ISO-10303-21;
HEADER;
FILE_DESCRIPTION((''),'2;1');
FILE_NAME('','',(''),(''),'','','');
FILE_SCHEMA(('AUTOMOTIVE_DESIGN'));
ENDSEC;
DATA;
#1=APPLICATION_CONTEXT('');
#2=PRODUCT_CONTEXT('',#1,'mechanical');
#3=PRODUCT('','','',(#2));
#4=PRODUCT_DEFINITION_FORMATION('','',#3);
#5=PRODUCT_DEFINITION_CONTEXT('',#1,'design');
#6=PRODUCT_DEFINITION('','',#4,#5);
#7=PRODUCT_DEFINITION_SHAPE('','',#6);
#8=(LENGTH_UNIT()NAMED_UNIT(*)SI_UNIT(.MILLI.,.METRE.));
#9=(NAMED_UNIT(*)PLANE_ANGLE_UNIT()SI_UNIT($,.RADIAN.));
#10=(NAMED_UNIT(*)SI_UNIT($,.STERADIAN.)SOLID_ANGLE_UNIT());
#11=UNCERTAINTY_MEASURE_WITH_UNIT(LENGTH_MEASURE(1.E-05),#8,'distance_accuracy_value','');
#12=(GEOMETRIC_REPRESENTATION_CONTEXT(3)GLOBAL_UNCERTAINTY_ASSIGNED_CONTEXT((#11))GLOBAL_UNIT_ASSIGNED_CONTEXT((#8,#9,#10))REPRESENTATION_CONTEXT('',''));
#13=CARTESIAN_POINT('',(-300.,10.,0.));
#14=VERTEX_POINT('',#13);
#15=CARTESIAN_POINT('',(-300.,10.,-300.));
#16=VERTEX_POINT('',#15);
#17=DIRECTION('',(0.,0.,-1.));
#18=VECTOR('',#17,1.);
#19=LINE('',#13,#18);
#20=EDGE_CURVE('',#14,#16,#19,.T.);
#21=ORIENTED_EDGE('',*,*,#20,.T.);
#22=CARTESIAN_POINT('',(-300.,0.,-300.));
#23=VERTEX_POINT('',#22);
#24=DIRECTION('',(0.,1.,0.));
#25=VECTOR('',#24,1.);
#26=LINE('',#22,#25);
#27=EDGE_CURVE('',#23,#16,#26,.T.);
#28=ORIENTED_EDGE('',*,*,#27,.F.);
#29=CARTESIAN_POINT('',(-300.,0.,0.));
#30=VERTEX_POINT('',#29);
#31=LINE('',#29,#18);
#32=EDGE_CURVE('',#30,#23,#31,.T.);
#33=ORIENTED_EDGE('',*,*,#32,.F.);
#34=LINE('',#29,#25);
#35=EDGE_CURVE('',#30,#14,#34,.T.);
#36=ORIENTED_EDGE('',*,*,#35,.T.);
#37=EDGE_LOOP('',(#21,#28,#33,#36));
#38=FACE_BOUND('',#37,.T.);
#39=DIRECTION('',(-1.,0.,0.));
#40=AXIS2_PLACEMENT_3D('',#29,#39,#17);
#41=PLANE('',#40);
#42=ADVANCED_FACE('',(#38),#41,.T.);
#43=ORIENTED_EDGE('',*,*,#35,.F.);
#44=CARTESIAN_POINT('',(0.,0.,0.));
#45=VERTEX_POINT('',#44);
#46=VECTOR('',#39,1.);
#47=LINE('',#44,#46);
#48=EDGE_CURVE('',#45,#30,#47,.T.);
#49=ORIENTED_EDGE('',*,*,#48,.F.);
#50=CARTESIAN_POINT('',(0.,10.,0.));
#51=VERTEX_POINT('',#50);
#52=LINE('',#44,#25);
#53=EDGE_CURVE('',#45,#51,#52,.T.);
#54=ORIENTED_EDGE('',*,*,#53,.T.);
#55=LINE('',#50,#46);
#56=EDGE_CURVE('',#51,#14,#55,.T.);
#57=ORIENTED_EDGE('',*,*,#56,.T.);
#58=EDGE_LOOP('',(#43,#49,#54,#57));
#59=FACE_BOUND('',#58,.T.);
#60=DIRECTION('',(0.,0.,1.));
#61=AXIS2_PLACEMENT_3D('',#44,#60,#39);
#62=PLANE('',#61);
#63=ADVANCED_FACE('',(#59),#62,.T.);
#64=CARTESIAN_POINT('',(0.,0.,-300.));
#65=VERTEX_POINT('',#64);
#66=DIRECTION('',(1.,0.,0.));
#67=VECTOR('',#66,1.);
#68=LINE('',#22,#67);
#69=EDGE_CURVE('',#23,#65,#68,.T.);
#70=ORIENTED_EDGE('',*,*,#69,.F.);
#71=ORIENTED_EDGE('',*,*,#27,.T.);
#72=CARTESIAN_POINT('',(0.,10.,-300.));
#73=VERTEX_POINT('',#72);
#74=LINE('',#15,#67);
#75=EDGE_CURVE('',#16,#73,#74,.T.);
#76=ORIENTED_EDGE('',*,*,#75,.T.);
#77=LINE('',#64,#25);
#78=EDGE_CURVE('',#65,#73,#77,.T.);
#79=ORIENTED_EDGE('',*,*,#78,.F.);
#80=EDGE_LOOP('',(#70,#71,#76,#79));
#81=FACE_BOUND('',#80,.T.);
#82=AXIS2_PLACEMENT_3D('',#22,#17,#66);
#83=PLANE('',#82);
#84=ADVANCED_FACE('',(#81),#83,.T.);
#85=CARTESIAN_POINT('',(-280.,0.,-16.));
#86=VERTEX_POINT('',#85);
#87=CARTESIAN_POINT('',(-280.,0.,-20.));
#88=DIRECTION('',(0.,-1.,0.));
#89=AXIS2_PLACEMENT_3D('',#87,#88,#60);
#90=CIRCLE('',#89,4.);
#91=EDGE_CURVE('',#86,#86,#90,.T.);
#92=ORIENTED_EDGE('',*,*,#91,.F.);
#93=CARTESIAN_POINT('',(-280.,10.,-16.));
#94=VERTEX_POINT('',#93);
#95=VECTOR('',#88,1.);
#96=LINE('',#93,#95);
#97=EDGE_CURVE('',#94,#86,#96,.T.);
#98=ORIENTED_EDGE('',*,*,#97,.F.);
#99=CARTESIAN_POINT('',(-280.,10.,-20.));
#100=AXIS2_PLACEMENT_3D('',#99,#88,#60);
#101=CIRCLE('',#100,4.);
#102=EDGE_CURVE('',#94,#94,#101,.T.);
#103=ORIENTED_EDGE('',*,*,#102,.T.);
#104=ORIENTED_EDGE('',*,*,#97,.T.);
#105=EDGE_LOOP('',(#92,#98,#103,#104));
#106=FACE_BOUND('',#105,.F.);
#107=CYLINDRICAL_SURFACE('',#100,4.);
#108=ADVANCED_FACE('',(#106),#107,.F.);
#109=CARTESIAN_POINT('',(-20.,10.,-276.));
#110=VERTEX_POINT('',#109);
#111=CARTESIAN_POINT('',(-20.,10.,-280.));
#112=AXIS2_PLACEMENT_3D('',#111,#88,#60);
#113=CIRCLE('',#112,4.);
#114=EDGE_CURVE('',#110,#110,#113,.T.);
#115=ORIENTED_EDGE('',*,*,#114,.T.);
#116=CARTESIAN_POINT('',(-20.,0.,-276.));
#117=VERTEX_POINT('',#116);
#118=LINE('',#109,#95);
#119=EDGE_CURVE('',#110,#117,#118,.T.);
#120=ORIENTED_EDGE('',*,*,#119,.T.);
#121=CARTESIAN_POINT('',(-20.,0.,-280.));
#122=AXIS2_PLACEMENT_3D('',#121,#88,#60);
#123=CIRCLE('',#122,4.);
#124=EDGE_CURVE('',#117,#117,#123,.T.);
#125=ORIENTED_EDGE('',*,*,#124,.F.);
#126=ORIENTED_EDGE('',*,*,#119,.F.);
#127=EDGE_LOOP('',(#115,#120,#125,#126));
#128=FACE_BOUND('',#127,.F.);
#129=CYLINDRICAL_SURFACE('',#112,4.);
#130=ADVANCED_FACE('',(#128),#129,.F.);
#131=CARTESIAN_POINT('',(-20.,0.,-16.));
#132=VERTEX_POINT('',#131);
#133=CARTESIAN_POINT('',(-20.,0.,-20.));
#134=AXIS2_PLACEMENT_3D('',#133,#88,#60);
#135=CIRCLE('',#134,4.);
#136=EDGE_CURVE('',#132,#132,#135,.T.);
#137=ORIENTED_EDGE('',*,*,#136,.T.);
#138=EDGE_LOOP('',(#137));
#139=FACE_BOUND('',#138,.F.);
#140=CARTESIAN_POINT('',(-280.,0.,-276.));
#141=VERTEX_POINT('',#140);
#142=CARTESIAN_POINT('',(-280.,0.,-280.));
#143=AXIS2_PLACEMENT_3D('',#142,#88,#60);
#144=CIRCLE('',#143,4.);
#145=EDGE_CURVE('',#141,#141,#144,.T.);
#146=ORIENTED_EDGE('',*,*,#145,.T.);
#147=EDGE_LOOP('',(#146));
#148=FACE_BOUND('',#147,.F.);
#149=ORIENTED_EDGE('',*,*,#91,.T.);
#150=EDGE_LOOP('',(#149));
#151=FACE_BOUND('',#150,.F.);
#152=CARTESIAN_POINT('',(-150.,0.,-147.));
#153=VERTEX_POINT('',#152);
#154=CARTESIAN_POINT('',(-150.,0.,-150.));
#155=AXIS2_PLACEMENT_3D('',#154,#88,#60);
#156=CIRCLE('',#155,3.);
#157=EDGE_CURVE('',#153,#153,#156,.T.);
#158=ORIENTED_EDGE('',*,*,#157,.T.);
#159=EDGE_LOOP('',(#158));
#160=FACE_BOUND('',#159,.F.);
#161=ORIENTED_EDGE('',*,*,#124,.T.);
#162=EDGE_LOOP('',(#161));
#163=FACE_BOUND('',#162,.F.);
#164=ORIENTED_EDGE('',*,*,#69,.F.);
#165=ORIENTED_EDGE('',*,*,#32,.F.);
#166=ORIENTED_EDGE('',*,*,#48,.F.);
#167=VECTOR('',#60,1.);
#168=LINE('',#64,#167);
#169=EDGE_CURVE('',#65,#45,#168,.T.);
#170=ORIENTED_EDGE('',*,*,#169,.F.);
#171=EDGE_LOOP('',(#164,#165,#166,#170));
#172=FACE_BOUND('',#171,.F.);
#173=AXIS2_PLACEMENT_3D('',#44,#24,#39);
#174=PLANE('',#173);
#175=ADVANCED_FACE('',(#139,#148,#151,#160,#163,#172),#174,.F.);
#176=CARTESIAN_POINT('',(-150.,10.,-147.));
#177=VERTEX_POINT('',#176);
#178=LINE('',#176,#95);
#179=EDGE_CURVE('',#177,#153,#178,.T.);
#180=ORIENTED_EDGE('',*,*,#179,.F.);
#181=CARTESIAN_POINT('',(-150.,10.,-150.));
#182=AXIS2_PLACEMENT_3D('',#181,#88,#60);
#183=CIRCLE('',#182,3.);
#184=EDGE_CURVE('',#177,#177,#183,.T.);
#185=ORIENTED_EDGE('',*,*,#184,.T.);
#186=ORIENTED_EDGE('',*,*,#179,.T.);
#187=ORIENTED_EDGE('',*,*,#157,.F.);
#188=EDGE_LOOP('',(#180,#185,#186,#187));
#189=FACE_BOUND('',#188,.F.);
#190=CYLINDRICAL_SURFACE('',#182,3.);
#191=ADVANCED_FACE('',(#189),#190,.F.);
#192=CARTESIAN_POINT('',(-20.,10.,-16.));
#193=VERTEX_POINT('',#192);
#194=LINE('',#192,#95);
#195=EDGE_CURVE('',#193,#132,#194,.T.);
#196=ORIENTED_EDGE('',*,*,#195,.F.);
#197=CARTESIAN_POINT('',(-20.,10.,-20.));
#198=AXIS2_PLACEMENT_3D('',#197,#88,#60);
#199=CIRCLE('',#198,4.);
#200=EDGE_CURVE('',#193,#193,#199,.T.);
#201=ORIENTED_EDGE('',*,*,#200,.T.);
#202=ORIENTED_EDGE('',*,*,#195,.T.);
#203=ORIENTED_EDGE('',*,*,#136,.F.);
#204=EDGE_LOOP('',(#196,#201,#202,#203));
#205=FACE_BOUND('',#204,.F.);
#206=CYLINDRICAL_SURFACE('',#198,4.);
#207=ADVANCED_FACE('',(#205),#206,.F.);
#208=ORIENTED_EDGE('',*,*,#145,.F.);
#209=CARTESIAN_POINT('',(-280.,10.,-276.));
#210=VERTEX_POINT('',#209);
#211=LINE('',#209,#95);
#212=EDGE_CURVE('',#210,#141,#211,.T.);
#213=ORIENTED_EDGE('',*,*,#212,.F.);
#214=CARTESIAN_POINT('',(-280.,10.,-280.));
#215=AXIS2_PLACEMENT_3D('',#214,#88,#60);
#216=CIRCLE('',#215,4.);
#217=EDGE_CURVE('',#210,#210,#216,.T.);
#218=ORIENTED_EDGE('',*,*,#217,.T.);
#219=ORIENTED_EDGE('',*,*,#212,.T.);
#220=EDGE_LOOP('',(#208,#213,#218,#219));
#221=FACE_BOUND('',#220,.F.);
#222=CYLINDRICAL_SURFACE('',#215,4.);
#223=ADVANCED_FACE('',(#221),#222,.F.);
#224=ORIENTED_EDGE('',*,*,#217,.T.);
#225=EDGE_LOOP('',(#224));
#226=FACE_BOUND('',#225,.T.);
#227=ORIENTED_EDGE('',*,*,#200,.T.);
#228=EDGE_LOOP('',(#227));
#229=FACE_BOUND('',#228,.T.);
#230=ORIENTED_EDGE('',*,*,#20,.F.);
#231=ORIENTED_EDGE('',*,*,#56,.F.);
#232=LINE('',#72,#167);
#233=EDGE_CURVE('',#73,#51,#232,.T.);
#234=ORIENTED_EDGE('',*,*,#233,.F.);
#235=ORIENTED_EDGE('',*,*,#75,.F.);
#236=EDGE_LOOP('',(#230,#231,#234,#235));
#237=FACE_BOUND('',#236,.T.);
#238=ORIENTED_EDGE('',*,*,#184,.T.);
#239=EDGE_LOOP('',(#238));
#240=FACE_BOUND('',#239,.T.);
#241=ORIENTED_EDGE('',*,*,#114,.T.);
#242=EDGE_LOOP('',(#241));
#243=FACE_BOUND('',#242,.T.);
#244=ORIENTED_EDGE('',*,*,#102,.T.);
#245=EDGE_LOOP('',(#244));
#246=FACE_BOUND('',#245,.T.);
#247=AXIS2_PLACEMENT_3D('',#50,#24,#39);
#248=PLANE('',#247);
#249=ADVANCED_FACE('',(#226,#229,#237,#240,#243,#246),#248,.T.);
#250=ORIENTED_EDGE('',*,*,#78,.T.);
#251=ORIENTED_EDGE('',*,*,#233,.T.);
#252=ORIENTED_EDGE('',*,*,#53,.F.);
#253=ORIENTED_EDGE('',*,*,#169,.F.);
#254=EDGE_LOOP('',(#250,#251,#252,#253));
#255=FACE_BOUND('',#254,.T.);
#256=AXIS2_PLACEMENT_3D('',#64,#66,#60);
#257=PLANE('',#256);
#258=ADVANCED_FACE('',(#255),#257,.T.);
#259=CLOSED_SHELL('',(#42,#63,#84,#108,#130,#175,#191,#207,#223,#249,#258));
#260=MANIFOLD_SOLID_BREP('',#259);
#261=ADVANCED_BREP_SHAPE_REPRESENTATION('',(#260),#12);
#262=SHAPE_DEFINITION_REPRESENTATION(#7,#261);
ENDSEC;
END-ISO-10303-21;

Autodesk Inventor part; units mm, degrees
ref_plane "YZ Plane" through (0, 0, 0) normal (1, 0, 0) x (0, 1, 0)
ref_plane "XZ Plane" through (0, 0, 0) normal (0, 1, 0) x (-1, 0, 0)
ref_plane "XY Plane" through (0, 0, 0) normal (0, 0, 1) x (1, 0, 0)
sketch "Sketch1" plane through (0, 0, 0) normal (0, 1, 0) x (-1, 0, 0)
  line L0 (0, 0) -> (300, 0)
  line L1 (300, 0) -> (300, -300)
  line L2 (300, -300) -> (0, -300)
  line L3 (0, -300) -> (0, 0)
  dimension "d0" = 300
  dimension "d1" = 300
extrude "Extrusion1" add sketch "Sketch1" along normal blind 10
sketch "Sketch2" plane through (0, 10, 0) normal (0, 1, 0) x (1, 0, 0)
  line L0 (-300, 0) -> (0, 0) projected
  line L1 (0, 0) -> (0, 300) projected
  point P0 (-20, 20)
  point P1 (-20, 280)
  point P2 (-280, 20)
  point P3 (-280, 280)
  dimension "d4" = 20
  dimension "d5" = 20
  dimension "d8" = 260
  dimension "d11" = 260
hole "Hole1" at (-20, 10, -20) at (-20, 10, -280) at (-280, 10, -20) at (-280, 10, -280) direction (0, -1, 0) diameter 8 end through all
sketch "Sketch3" plane through (0, 10, 0) normal (0, 1, 0) x (1, 0, 0)
  line L0 (-300, 300) -> (-300, 0) projected
  line L1 (0, 300) -> (-300, 300) projected
  point P0 (0, 0)
  point P1 (-150, 150)
  dimension "d21" = 150
  dimension "d22" = 150
hole "Hole2" at (-150, 10, -150) direction (0, -1, 0) diameter 6 end through all
properties part number "Plate"
